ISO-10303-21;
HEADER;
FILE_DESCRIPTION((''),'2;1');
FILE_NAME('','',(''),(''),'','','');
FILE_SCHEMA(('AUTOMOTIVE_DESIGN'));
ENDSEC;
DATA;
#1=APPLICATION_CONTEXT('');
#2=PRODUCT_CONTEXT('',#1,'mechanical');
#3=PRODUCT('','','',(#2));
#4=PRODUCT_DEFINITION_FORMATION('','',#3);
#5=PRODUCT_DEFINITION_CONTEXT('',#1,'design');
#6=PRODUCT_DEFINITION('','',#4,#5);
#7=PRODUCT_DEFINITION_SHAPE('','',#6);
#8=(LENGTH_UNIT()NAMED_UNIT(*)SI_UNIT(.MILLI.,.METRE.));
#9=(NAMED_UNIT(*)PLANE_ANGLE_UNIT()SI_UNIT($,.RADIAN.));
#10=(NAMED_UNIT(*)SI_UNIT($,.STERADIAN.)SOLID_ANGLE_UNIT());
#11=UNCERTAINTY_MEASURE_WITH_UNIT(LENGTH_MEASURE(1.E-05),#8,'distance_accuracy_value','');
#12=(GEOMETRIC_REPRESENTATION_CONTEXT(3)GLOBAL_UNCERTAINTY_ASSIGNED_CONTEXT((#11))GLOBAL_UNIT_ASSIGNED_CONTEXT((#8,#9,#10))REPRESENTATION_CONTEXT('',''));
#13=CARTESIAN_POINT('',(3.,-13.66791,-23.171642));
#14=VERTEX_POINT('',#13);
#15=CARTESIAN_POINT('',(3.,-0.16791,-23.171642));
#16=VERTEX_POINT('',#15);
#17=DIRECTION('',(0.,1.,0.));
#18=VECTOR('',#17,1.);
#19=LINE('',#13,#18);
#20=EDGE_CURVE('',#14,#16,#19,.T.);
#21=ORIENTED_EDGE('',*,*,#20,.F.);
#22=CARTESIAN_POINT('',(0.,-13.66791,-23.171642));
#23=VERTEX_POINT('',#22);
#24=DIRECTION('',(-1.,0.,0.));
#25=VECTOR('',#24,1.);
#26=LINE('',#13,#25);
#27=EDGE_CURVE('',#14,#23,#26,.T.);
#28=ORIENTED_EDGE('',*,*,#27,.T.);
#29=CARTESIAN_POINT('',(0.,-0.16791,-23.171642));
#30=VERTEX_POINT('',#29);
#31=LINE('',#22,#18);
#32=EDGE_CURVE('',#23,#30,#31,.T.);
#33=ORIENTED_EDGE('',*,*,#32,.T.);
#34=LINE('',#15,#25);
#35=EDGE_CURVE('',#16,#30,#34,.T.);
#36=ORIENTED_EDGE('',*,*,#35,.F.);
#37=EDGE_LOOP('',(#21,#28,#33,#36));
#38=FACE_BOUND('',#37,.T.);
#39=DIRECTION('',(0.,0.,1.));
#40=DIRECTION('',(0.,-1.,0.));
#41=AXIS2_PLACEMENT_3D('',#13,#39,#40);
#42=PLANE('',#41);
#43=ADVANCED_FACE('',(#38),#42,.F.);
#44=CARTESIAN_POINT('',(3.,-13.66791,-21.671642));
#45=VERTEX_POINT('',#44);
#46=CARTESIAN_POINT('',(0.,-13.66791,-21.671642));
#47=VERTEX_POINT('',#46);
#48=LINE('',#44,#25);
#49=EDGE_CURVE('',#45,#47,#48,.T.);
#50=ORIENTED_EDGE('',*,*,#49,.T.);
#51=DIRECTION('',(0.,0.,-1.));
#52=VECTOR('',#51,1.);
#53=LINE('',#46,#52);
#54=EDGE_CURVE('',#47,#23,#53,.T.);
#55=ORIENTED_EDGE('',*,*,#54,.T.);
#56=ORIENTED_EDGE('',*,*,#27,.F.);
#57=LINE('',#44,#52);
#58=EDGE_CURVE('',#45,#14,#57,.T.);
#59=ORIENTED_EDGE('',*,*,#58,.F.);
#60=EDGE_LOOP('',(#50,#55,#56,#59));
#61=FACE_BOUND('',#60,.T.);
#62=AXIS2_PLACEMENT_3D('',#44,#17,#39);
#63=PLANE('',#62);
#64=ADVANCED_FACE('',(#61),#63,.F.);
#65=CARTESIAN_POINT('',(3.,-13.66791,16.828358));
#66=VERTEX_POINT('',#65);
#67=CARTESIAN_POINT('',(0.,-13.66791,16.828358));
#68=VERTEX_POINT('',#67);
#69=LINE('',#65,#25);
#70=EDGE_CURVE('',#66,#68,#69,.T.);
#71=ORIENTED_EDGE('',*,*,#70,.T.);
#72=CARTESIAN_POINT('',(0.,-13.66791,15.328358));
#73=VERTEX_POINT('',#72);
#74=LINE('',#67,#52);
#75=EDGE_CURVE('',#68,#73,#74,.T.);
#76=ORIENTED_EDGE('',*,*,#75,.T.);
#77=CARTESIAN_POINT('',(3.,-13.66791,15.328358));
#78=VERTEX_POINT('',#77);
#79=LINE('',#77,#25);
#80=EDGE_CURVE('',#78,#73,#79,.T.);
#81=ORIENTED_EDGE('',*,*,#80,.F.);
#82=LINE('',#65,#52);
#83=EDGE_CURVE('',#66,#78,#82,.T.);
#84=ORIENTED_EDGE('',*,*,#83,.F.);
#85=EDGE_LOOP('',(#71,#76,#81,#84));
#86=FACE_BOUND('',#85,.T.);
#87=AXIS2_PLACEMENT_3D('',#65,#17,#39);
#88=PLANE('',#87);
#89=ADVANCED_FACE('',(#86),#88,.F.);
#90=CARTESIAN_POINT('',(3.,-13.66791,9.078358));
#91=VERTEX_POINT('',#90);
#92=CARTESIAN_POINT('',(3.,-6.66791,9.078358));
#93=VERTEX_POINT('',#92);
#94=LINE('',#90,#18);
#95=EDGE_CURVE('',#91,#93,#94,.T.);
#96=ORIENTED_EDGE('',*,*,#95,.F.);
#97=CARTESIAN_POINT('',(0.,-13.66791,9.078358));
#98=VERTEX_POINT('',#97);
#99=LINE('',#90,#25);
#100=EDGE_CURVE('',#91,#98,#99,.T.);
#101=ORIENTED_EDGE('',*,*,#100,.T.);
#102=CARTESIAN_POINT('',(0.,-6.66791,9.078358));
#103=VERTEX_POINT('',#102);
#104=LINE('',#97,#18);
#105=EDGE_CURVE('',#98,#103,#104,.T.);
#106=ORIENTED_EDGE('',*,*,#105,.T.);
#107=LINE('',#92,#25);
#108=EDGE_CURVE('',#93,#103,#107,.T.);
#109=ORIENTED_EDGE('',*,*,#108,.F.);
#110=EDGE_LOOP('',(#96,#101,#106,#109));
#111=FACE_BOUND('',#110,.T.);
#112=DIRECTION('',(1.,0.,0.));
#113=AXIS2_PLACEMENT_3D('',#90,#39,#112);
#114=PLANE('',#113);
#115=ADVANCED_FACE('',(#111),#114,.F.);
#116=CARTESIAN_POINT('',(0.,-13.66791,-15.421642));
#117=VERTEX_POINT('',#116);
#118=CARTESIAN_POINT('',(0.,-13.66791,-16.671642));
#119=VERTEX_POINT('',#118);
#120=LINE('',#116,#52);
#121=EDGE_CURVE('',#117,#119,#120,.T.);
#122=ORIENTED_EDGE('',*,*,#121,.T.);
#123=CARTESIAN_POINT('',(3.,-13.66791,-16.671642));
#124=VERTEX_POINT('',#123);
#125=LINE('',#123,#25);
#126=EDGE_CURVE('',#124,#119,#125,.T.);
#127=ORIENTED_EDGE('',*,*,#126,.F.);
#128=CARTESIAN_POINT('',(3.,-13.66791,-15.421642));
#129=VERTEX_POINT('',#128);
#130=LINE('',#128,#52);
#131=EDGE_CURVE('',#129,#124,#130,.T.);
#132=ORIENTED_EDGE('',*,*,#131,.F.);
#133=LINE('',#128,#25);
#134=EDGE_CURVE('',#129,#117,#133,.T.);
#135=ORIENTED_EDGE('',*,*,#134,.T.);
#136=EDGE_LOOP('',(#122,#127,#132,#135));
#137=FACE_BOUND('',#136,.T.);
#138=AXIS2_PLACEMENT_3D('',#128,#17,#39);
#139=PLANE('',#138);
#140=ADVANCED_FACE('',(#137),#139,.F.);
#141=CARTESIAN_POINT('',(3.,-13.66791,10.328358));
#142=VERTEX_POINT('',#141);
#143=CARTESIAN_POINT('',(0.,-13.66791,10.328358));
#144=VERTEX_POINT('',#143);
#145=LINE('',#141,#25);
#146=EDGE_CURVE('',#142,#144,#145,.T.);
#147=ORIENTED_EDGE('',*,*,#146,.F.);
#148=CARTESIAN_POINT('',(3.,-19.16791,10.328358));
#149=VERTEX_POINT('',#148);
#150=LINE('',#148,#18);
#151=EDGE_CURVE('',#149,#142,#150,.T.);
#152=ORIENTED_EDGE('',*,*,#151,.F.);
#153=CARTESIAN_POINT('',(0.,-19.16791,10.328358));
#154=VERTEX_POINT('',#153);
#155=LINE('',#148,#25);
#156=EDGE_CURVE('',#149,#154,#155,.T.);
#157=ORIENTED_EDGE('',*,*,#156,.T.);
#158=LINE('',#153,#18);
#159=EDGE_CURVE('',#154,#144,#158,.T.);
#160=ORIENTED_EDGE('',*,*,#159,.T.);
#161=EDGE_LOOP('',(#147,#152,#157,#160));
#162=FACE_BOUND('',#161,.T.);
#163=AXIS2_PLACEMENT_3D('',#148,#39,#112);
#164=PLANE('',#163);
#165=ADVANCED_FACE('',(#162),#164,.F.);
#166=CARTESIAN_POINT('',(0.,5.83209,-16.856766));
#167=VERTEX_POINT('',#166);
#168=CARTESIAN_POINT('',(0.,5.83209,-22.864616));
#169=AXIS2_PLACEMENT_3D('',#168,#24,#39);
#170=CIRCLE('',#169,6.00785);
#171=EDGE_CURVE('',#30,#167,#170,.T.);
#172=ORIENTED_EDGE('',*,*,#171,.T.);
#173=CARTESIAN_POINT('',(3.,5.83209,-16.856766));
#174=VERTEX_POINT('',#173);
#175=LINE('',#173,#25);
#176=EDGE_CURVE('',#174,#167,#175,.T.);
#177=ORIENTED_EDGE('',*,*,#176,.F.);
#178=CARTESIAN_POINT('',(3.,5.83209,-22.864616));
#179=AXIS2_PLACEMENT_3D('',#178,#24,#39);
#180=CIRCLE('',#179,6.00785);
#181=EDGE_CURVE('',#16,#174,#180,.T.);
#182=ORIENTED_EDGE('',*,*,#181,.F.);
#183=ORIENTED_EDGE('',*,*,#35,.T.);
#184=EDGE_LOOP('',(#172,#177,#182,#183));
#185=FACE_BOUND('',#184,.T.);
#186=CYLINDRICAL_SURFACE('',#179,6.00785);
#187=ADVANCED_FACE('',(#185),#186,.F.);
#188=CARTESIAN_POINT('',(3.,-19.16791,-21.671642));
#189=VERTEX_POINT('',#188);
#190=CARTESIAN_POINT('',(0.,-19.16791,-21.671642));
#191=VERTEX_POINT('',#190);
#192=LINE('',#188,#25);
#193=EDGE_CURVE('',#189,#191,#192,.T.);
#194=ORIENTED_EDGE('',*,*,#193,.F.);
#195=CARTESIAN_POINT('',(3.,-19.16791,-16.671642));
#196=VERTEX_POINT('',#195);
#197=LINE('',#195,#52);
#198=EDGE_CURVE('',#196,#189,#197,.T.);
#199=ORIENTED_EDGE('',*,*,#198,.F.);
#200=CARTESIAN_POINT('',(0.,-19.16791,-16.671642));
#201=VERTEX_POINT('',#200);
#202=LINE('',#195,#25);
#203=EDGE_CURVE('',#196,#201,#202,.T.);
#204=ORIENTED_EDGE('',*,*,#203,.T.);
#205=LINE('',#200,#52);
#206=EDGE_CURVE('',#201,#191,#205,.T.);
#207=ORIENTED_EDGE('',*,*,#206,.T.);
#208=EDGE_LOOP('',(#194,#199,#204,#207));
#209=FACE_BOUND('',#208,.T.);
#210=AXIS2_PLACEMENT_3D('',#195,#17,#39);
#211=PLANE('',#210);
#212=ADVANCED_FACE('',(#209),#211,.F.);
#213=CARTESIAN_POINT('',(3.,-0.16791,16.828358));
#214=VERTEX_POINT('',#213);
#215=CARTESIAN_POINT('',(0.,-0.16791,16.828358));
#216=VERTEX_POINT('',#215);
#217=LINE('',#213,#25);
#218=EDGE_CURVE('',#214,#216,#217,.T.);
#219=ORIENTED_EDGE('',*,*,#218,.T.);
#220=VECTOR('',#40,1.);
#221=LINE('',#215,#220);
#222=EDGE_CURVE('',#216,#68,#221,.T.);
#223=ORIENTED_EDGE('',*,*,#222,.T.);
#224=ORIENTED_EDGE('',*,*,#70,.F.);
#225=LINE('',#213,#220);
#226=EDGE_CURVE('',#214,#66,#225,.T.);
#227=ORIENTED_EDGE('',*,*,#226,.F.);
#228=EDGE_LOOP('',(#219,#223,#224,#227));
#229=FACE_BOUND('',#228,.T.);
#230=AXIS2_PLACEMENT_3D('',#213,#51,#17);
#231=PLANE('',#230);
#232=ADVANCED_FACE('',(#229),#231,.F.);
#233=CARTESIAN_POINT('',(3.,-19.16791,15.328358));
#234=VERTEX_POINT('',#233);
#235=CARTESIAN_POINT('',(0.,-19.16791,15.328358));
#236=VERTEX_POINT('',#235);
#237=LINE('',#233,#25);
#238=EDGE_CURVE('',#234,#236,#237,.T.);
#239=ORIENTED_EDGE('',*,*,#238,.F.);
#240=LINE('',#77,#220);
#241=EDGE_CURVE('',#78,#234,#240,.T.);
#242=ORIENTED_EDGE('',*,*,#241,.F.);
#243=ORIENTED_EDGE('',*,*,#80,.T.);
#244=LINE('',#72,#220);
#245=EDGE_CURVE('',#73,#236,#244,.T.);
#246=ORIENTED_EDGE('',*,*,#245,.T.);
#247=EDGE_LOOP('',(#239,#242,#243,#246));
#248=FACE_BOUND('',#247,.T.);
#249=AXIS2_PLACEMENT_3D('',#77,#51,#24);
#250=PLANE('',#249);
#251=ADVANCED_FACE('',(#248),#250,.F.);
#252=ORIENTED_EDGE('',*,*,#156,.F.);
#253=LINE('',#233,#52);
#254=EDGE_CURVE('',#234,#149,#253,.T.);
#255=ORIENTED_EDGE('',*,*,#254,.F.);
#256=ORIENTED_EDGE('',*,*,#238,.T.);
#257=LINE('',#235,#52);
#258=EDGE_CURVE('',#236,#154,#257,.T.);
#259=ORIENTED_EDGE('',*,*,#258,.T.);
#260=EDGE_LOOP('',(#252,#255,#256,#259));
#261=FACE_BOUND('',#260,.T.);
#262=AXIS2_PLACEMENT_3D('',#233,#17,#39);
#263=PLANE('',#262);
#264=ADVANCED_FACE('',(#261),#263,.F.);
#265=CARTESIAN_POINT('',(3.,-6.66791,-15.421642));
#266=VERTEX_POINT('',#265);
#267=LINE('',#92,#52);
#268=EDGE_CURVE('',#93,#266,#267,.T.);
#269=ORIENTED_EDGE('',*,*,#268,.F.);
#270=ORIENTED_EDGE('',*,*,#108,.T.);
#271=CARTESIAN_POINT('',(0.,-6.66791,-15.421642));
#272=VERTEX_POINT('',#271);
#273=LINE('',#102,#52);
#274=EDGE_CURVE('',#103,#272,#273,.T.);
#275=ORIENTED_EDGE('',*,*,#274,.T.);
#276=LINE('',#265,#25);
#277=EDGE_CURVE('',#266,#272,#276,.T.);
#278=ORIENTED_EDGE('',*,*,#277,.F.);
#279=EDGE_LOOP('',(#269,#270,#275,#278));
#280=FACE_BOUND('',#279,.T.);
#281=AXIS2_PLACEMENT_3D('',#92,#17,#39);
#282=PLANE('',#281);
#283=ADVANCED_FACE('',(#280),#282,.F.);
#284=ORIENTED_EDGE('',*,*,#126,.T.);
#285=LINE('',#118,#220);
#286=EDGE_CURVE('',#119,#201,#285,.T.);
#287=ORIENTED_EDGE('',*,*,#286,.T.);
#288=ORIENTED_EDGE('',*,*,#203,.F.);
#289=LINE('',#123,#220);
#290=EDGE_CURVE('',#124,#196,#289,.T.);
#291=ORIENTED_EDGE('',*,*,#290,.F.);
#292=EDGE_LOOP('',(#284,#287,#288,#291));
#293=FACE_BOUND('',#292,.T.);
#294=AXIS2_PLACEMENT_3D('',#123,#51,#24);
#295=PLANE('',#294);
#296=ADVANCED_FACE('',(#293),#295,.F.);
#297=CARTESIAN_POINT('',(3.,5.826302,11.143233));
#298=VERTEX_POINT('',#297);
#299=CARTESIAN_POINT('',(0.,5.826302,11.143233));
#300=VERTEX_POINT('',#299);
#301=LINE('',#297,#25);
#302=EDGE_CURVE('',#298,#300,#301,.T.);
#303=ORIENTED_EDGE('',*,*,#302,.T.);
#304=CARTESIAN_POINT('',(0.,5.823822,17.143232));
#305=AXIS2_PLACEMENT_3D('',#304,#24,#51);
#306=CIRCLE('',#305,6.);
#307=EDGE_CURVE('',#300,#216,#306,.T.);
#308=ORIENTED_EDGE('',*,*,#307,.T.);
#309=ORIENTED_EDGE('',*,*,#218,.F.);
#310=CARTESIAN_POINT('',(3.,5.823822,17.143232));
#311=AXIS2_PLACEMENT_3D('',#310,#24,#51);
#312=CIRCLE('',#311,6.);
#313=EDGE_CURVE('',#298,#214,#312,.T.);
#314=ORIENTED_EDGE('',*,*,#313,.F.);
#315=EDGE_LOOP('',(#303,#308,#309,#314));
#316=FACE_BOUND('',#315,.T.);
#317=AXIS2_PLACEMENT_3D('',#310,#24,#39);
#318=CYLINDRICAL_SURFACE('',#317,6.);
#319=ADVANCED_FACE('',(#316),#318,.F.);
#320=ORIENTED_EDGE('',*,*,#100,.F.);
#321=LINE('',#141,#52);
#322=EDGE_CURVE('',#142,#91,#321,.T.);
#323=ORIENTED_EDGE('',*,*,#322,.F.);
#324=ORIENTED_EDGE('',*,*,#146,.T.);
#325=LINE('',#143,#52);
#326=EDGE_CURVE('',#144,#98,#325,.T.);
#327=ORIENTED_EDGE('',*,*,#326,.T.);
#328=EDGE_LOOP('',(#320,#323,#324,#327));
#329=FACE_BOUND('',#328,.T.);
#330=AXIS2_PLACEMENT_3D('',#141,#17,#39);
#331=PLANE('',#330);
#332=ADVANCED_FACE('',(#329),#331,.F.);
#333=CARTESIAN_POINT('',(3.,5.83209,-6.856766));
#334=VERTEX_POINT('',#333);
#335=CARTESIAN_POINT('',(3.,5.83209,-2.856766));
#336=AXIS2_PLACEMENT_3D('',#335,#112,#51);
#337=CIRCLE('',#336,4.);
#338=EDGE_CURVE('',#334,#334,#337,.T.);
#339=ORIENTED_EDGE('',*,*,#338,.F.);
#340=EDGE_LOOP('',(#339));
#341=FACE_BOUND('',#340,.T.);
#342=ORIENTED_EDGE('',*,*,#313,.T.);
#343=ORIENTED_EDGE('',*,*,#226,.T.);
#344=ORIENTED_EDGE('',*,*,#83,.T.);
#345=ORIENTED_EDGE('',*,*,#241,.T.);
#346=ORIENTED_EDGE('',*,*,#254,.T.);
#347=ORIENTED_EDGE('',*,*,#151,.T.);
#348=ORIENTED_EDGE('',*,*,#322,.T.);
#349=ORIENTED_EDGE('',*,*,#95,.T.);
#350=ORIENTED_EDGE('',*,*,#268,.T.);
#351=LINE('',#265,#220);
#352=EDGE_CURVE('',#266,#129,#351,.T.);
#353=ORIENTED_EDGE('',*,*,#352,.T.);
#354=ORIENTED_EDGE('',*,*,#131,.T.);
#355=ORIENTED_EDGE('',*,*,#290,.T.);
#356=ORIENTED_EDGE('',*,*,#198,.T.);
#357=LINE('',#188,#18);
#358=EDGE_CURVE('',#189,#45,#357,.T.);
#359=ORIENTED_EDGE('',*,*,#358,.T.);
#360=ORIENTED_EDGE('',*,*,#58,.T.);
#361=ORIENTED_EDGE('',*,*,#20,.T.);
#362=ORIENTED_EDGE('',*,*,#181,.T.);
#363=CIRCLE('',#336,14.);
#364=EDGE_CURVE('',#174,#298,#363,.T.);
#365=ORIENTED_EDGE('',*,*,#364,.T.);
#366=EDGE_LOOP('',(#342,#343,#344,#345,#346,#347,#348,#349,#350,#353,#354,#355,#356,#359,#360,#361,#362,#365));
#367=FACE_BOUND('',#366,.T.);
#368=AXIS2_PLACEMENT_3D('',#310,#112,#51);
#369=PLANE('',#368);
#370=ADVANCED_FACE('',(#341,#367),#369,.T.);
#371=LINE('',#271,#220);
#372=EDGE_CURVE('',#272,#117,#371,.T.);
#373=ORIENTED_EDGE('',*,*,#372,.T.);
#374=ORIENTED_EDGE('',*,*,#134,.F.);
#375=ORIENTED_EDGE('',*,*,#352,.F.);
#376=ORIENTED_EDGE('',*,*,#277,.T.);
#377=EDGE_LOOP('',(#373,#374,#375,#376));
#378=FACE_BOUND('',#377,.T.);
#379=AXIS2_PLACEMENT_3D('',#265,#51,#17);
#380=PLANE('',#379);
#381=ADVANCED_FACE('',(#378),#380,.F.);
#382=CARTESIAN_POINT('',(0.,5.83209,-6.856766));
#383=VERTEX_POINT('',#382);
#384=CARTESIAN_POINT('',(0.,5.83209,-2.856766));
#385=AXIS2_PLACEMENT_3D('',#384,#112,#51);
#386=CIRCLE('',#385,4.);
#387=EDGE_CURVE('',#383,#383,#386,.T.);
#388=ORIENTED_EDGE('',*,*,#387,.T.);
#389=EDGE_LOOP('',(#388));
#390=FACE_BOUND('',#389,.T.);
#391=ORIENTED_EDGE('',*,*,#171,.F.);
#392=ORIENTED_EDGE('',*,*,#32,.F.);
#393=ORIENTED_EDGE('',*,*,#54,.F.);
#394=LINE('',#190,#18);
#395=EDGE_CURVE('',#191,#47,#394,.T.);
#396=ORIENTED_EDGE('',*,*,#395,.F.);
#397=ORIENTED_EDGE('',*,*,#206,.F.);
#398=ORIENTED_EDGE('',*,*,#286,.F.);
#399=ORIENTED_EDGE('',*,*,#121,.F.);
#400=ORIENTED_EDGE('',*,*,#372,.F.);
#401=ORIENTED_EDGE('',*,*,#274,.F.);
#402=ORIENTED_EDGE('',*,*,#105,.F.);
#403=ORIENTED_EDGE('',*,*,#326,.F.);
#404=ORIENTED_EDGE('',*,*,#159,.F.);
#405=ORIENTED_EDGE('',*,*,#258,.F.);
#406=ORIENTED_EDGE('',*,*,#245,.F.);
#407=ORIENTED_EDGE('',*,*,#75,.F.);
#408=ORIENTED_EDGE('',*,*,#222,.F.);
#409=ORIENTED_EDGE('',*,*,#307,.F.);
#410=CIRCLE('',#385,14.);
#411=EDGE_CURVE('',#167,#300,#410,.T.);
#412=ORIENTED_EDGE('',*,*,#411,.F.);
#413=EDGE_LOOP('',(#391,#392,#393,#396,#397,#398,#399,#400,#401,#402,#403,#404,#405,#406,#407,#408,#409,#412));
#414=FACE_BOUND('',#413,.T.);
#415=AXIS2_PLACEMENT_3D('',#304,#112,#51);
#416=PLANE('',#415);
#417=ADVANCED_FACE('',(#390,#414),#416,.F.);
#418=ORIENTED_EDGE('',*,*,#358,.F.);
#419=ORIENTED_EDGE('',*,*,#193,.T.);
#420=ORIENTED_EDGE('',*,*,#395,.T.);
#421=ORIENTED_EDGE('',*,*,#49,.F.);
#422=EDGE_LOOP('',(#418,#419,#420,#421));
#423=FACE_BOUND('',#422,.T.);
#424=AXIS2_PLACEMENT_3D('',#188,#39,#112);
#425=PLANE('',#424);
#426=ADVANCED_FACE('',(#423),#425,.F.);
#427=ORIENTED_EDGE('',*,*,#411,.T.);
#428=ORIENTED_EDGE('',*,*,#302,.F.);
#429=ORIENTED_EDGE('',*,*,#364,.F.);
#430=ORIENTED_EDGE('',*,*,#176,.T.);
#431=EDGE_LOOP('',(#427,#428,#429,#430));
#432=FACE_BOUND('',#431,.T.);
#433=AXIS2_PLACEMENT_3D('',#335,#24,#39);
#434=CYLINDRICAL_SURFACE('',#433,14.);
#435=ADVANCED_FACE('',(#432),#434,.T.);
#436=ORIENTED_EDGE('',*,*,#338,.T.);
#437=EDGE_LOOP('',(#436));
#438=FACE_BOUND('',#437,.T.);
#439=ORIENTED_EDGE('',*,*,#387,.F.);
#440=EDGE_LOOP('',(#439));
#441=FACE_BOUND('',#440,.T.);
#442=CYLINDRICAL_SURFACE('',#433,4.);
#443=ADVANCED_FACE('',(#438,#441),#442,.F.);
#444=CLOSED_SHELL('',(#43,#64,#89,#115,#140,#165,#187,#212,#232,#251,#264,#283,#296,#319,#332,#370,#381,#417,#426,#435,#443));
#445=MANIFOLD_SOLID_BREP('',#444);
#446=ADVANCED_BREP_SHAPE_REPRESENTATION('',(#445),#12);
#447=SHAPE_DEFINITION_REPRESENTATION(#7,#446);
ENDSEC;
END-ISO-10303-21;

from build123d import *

# Parameters (mm, degrees)
SKETCH3_R           = 4
BOSS_EXTRUDE1_DEPTH = 3


with BuildPart() as part:
    # Sketch3 → Boss-Extrude1 (new body)
    with BuildSketch(Plane(origin=(0, 0, 0), x_dir=(0, 0, -1), z_dir=(1, 0, 0))):
        with BuildLine():
            Line((-16.828358209, -0.167910448), (-16.828358209, -13.667910448))
            Line((-16.828358209, -13.667910448), (-15.328358209, -13.667910448))
            Line((-15.328358209, -13.667910448), (-15.328358209, -19.167910448))
            Line((-15.328358209, -19.167910448), (-10.328358209, -19.167910448))
            Line((-10.328358209, -19.167910448), (-10.328358209, -13.667910448))
            Line((-10.328358209, -13.667910448), (-9.078358209, -13.667910448))
            Line((-9.078358209, -13.667910448), (-9.078358209, -6.667910448))
            Line((-9.078358209, -6.667910448), (15.421641791, -6.667910448))
            Line((15.421641791, -6.667910448), (15.421641791, -13.667910448))
            Line((15.421641791, -13.667910448), (16.671641791, -13.667910448))
            Line((16.671641791, -13.667910448), (16.671641791, -19.167910448))
            Line((16.671641791, -19.167910448), (21.671641791, -19.167910448))
            Line((21.671641791, -19.167910448), (21.671641791, -13.667910448))
            Line((21.671641791, -13.667910448), (23.171641791, -13.667910448))
            Line((23.171641791, -13.667910448), (23.171641791, -0.167910448))
            ThreePointArc((23.171641791, -0.167910448), (18.726397941, 1.476700456), (16.856765964, 5.832089552))
            ThreePointArc((16.856765964, 5.832089552), (2.853872221, 19.832089253), (-11.14323284, 5.826302065))
            ThreePointArc((-11.14323284, 5.826302065), (-12.789836747, 1.694905763), (-16.828358209, -0.167910448))
        make_face()
        with Locations((2.856765964, 5.832089552)):
            Circle(SKETCH3_R, mode=Mode.SUBTRACT)
    extrude(amount=BOSS_EXTRUDE1_DEPTH)


solid = part.part
